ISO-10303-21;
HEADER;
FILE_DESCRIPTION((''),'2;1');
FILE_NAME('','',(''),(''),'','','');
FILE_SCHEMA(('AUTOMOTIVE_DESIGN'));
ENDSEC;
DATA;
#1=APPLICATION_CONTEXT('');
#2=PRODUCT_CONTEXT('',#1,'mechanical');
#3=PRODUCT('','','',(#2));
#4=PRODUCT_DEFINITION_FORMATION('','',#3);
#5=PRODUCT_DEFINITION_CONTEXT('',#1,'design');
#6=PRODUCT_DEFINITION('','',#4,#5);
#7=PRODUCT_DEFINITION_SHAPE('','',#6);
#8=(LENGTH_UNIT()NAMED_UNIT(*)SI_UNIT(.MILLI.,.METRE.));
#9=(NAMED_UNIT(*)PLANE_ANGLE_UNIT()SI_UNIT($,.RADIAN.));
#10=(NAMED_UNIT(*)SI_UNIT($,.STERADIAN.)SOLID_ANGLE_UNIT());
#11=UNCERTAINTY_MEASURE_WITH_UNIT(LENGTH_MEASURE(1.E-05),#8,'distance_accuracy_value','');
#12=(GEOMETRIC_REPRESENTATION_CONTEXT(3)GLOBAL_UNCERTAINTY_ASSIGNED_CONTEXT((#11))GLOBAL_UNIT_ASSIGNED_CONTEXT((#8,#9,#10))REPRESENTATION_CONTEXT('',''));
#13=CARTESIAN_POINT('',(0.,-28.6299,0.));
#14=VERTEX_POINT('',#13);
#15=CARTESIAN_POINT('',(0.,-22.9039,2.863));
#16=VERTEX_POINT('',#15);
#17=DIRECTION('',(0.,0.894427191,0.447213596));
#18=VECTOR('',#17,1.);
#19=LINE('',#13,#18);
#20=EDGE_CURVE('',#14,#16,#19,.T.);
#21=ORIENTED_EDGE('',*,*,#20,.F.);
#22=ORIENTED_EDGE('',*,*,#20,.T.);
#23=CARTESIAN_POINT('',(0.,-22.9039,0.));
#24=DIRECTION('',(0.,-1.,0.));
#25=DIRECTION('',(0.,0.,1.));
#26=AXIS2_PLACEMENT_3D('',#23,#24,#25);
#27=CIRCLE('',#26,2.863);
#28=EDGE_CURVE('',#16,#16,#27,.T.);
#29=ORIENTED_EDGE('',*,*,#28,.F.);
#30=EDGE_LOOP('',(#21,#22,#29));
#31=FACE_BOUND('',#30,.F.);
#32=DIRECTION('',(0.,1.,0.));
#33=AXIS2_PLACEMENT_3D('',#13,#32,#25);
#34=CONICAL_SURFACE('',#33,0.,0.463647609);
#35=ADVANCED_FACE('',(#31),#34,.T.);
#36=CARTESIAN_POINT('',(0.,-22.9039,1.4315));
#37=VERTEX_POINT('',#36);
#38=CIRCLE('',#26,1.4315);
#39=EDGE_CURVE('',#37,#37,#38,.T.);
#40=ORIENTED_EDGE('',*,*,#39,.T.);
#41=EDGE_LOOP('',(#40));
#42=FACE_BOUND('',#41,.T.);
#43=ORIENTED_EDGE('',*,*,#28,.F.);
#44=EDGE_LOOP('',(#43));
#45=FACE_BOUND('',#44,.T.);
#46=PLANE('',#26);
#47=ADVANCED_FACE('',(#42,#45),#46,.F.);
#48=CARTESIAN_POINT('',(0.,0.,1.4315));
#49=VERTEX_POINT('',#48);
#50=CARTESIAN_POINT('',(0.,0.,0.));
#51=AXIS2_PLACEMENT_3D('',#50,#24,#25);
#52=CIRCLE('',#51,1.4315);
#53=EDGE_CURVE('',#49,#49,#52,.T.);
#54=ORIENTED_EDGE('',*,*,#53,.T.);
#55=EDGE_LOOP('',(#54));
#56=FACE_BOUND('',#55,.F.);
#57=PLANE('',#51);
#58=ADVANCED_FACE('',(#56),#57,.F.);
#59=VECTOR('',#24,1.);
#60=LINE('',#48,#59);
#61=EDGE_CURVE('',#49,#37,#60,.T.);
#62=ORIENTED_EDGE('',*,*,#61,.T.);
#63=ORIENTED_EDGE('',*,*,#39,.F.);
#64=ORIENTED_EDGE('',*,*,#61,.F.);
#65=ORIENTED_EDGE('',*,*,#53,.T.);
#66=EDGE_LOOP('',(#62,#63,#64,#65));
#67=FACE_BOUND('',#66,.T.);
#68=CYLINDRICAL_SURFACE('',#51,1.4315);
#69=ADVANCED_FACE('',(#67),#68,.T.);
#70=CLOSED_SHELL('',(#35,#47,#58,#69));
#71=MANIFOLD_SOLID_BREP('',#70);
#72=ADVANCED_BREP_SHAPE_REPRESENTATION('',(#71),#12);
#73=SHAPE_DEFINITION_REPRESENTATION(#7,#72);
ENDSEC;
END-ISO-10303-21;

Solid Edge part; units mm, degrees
sketch "Sketch1" plane through (0, 0, 0) normal (1, 0, 0) x (0, 1, 0)
  line L0 (0, 1.4315) -> (-22.9039, 1.4315)
  line L1 (-22.9039, 1.4315) -> (-22.9039, 2.863)
  line L2 (-28.6299, 0) -> (-22.9039, 2.863)
  line L3 (0, 0) -> (-28.6299, 0)
  line L4 (0, 1.4315) -> (0, 0)
revolve "RevolvedProtrusion1" add sketch "Sketch1" angle 360 about axis through (0, 0, 0) along (0, -1, 0)
